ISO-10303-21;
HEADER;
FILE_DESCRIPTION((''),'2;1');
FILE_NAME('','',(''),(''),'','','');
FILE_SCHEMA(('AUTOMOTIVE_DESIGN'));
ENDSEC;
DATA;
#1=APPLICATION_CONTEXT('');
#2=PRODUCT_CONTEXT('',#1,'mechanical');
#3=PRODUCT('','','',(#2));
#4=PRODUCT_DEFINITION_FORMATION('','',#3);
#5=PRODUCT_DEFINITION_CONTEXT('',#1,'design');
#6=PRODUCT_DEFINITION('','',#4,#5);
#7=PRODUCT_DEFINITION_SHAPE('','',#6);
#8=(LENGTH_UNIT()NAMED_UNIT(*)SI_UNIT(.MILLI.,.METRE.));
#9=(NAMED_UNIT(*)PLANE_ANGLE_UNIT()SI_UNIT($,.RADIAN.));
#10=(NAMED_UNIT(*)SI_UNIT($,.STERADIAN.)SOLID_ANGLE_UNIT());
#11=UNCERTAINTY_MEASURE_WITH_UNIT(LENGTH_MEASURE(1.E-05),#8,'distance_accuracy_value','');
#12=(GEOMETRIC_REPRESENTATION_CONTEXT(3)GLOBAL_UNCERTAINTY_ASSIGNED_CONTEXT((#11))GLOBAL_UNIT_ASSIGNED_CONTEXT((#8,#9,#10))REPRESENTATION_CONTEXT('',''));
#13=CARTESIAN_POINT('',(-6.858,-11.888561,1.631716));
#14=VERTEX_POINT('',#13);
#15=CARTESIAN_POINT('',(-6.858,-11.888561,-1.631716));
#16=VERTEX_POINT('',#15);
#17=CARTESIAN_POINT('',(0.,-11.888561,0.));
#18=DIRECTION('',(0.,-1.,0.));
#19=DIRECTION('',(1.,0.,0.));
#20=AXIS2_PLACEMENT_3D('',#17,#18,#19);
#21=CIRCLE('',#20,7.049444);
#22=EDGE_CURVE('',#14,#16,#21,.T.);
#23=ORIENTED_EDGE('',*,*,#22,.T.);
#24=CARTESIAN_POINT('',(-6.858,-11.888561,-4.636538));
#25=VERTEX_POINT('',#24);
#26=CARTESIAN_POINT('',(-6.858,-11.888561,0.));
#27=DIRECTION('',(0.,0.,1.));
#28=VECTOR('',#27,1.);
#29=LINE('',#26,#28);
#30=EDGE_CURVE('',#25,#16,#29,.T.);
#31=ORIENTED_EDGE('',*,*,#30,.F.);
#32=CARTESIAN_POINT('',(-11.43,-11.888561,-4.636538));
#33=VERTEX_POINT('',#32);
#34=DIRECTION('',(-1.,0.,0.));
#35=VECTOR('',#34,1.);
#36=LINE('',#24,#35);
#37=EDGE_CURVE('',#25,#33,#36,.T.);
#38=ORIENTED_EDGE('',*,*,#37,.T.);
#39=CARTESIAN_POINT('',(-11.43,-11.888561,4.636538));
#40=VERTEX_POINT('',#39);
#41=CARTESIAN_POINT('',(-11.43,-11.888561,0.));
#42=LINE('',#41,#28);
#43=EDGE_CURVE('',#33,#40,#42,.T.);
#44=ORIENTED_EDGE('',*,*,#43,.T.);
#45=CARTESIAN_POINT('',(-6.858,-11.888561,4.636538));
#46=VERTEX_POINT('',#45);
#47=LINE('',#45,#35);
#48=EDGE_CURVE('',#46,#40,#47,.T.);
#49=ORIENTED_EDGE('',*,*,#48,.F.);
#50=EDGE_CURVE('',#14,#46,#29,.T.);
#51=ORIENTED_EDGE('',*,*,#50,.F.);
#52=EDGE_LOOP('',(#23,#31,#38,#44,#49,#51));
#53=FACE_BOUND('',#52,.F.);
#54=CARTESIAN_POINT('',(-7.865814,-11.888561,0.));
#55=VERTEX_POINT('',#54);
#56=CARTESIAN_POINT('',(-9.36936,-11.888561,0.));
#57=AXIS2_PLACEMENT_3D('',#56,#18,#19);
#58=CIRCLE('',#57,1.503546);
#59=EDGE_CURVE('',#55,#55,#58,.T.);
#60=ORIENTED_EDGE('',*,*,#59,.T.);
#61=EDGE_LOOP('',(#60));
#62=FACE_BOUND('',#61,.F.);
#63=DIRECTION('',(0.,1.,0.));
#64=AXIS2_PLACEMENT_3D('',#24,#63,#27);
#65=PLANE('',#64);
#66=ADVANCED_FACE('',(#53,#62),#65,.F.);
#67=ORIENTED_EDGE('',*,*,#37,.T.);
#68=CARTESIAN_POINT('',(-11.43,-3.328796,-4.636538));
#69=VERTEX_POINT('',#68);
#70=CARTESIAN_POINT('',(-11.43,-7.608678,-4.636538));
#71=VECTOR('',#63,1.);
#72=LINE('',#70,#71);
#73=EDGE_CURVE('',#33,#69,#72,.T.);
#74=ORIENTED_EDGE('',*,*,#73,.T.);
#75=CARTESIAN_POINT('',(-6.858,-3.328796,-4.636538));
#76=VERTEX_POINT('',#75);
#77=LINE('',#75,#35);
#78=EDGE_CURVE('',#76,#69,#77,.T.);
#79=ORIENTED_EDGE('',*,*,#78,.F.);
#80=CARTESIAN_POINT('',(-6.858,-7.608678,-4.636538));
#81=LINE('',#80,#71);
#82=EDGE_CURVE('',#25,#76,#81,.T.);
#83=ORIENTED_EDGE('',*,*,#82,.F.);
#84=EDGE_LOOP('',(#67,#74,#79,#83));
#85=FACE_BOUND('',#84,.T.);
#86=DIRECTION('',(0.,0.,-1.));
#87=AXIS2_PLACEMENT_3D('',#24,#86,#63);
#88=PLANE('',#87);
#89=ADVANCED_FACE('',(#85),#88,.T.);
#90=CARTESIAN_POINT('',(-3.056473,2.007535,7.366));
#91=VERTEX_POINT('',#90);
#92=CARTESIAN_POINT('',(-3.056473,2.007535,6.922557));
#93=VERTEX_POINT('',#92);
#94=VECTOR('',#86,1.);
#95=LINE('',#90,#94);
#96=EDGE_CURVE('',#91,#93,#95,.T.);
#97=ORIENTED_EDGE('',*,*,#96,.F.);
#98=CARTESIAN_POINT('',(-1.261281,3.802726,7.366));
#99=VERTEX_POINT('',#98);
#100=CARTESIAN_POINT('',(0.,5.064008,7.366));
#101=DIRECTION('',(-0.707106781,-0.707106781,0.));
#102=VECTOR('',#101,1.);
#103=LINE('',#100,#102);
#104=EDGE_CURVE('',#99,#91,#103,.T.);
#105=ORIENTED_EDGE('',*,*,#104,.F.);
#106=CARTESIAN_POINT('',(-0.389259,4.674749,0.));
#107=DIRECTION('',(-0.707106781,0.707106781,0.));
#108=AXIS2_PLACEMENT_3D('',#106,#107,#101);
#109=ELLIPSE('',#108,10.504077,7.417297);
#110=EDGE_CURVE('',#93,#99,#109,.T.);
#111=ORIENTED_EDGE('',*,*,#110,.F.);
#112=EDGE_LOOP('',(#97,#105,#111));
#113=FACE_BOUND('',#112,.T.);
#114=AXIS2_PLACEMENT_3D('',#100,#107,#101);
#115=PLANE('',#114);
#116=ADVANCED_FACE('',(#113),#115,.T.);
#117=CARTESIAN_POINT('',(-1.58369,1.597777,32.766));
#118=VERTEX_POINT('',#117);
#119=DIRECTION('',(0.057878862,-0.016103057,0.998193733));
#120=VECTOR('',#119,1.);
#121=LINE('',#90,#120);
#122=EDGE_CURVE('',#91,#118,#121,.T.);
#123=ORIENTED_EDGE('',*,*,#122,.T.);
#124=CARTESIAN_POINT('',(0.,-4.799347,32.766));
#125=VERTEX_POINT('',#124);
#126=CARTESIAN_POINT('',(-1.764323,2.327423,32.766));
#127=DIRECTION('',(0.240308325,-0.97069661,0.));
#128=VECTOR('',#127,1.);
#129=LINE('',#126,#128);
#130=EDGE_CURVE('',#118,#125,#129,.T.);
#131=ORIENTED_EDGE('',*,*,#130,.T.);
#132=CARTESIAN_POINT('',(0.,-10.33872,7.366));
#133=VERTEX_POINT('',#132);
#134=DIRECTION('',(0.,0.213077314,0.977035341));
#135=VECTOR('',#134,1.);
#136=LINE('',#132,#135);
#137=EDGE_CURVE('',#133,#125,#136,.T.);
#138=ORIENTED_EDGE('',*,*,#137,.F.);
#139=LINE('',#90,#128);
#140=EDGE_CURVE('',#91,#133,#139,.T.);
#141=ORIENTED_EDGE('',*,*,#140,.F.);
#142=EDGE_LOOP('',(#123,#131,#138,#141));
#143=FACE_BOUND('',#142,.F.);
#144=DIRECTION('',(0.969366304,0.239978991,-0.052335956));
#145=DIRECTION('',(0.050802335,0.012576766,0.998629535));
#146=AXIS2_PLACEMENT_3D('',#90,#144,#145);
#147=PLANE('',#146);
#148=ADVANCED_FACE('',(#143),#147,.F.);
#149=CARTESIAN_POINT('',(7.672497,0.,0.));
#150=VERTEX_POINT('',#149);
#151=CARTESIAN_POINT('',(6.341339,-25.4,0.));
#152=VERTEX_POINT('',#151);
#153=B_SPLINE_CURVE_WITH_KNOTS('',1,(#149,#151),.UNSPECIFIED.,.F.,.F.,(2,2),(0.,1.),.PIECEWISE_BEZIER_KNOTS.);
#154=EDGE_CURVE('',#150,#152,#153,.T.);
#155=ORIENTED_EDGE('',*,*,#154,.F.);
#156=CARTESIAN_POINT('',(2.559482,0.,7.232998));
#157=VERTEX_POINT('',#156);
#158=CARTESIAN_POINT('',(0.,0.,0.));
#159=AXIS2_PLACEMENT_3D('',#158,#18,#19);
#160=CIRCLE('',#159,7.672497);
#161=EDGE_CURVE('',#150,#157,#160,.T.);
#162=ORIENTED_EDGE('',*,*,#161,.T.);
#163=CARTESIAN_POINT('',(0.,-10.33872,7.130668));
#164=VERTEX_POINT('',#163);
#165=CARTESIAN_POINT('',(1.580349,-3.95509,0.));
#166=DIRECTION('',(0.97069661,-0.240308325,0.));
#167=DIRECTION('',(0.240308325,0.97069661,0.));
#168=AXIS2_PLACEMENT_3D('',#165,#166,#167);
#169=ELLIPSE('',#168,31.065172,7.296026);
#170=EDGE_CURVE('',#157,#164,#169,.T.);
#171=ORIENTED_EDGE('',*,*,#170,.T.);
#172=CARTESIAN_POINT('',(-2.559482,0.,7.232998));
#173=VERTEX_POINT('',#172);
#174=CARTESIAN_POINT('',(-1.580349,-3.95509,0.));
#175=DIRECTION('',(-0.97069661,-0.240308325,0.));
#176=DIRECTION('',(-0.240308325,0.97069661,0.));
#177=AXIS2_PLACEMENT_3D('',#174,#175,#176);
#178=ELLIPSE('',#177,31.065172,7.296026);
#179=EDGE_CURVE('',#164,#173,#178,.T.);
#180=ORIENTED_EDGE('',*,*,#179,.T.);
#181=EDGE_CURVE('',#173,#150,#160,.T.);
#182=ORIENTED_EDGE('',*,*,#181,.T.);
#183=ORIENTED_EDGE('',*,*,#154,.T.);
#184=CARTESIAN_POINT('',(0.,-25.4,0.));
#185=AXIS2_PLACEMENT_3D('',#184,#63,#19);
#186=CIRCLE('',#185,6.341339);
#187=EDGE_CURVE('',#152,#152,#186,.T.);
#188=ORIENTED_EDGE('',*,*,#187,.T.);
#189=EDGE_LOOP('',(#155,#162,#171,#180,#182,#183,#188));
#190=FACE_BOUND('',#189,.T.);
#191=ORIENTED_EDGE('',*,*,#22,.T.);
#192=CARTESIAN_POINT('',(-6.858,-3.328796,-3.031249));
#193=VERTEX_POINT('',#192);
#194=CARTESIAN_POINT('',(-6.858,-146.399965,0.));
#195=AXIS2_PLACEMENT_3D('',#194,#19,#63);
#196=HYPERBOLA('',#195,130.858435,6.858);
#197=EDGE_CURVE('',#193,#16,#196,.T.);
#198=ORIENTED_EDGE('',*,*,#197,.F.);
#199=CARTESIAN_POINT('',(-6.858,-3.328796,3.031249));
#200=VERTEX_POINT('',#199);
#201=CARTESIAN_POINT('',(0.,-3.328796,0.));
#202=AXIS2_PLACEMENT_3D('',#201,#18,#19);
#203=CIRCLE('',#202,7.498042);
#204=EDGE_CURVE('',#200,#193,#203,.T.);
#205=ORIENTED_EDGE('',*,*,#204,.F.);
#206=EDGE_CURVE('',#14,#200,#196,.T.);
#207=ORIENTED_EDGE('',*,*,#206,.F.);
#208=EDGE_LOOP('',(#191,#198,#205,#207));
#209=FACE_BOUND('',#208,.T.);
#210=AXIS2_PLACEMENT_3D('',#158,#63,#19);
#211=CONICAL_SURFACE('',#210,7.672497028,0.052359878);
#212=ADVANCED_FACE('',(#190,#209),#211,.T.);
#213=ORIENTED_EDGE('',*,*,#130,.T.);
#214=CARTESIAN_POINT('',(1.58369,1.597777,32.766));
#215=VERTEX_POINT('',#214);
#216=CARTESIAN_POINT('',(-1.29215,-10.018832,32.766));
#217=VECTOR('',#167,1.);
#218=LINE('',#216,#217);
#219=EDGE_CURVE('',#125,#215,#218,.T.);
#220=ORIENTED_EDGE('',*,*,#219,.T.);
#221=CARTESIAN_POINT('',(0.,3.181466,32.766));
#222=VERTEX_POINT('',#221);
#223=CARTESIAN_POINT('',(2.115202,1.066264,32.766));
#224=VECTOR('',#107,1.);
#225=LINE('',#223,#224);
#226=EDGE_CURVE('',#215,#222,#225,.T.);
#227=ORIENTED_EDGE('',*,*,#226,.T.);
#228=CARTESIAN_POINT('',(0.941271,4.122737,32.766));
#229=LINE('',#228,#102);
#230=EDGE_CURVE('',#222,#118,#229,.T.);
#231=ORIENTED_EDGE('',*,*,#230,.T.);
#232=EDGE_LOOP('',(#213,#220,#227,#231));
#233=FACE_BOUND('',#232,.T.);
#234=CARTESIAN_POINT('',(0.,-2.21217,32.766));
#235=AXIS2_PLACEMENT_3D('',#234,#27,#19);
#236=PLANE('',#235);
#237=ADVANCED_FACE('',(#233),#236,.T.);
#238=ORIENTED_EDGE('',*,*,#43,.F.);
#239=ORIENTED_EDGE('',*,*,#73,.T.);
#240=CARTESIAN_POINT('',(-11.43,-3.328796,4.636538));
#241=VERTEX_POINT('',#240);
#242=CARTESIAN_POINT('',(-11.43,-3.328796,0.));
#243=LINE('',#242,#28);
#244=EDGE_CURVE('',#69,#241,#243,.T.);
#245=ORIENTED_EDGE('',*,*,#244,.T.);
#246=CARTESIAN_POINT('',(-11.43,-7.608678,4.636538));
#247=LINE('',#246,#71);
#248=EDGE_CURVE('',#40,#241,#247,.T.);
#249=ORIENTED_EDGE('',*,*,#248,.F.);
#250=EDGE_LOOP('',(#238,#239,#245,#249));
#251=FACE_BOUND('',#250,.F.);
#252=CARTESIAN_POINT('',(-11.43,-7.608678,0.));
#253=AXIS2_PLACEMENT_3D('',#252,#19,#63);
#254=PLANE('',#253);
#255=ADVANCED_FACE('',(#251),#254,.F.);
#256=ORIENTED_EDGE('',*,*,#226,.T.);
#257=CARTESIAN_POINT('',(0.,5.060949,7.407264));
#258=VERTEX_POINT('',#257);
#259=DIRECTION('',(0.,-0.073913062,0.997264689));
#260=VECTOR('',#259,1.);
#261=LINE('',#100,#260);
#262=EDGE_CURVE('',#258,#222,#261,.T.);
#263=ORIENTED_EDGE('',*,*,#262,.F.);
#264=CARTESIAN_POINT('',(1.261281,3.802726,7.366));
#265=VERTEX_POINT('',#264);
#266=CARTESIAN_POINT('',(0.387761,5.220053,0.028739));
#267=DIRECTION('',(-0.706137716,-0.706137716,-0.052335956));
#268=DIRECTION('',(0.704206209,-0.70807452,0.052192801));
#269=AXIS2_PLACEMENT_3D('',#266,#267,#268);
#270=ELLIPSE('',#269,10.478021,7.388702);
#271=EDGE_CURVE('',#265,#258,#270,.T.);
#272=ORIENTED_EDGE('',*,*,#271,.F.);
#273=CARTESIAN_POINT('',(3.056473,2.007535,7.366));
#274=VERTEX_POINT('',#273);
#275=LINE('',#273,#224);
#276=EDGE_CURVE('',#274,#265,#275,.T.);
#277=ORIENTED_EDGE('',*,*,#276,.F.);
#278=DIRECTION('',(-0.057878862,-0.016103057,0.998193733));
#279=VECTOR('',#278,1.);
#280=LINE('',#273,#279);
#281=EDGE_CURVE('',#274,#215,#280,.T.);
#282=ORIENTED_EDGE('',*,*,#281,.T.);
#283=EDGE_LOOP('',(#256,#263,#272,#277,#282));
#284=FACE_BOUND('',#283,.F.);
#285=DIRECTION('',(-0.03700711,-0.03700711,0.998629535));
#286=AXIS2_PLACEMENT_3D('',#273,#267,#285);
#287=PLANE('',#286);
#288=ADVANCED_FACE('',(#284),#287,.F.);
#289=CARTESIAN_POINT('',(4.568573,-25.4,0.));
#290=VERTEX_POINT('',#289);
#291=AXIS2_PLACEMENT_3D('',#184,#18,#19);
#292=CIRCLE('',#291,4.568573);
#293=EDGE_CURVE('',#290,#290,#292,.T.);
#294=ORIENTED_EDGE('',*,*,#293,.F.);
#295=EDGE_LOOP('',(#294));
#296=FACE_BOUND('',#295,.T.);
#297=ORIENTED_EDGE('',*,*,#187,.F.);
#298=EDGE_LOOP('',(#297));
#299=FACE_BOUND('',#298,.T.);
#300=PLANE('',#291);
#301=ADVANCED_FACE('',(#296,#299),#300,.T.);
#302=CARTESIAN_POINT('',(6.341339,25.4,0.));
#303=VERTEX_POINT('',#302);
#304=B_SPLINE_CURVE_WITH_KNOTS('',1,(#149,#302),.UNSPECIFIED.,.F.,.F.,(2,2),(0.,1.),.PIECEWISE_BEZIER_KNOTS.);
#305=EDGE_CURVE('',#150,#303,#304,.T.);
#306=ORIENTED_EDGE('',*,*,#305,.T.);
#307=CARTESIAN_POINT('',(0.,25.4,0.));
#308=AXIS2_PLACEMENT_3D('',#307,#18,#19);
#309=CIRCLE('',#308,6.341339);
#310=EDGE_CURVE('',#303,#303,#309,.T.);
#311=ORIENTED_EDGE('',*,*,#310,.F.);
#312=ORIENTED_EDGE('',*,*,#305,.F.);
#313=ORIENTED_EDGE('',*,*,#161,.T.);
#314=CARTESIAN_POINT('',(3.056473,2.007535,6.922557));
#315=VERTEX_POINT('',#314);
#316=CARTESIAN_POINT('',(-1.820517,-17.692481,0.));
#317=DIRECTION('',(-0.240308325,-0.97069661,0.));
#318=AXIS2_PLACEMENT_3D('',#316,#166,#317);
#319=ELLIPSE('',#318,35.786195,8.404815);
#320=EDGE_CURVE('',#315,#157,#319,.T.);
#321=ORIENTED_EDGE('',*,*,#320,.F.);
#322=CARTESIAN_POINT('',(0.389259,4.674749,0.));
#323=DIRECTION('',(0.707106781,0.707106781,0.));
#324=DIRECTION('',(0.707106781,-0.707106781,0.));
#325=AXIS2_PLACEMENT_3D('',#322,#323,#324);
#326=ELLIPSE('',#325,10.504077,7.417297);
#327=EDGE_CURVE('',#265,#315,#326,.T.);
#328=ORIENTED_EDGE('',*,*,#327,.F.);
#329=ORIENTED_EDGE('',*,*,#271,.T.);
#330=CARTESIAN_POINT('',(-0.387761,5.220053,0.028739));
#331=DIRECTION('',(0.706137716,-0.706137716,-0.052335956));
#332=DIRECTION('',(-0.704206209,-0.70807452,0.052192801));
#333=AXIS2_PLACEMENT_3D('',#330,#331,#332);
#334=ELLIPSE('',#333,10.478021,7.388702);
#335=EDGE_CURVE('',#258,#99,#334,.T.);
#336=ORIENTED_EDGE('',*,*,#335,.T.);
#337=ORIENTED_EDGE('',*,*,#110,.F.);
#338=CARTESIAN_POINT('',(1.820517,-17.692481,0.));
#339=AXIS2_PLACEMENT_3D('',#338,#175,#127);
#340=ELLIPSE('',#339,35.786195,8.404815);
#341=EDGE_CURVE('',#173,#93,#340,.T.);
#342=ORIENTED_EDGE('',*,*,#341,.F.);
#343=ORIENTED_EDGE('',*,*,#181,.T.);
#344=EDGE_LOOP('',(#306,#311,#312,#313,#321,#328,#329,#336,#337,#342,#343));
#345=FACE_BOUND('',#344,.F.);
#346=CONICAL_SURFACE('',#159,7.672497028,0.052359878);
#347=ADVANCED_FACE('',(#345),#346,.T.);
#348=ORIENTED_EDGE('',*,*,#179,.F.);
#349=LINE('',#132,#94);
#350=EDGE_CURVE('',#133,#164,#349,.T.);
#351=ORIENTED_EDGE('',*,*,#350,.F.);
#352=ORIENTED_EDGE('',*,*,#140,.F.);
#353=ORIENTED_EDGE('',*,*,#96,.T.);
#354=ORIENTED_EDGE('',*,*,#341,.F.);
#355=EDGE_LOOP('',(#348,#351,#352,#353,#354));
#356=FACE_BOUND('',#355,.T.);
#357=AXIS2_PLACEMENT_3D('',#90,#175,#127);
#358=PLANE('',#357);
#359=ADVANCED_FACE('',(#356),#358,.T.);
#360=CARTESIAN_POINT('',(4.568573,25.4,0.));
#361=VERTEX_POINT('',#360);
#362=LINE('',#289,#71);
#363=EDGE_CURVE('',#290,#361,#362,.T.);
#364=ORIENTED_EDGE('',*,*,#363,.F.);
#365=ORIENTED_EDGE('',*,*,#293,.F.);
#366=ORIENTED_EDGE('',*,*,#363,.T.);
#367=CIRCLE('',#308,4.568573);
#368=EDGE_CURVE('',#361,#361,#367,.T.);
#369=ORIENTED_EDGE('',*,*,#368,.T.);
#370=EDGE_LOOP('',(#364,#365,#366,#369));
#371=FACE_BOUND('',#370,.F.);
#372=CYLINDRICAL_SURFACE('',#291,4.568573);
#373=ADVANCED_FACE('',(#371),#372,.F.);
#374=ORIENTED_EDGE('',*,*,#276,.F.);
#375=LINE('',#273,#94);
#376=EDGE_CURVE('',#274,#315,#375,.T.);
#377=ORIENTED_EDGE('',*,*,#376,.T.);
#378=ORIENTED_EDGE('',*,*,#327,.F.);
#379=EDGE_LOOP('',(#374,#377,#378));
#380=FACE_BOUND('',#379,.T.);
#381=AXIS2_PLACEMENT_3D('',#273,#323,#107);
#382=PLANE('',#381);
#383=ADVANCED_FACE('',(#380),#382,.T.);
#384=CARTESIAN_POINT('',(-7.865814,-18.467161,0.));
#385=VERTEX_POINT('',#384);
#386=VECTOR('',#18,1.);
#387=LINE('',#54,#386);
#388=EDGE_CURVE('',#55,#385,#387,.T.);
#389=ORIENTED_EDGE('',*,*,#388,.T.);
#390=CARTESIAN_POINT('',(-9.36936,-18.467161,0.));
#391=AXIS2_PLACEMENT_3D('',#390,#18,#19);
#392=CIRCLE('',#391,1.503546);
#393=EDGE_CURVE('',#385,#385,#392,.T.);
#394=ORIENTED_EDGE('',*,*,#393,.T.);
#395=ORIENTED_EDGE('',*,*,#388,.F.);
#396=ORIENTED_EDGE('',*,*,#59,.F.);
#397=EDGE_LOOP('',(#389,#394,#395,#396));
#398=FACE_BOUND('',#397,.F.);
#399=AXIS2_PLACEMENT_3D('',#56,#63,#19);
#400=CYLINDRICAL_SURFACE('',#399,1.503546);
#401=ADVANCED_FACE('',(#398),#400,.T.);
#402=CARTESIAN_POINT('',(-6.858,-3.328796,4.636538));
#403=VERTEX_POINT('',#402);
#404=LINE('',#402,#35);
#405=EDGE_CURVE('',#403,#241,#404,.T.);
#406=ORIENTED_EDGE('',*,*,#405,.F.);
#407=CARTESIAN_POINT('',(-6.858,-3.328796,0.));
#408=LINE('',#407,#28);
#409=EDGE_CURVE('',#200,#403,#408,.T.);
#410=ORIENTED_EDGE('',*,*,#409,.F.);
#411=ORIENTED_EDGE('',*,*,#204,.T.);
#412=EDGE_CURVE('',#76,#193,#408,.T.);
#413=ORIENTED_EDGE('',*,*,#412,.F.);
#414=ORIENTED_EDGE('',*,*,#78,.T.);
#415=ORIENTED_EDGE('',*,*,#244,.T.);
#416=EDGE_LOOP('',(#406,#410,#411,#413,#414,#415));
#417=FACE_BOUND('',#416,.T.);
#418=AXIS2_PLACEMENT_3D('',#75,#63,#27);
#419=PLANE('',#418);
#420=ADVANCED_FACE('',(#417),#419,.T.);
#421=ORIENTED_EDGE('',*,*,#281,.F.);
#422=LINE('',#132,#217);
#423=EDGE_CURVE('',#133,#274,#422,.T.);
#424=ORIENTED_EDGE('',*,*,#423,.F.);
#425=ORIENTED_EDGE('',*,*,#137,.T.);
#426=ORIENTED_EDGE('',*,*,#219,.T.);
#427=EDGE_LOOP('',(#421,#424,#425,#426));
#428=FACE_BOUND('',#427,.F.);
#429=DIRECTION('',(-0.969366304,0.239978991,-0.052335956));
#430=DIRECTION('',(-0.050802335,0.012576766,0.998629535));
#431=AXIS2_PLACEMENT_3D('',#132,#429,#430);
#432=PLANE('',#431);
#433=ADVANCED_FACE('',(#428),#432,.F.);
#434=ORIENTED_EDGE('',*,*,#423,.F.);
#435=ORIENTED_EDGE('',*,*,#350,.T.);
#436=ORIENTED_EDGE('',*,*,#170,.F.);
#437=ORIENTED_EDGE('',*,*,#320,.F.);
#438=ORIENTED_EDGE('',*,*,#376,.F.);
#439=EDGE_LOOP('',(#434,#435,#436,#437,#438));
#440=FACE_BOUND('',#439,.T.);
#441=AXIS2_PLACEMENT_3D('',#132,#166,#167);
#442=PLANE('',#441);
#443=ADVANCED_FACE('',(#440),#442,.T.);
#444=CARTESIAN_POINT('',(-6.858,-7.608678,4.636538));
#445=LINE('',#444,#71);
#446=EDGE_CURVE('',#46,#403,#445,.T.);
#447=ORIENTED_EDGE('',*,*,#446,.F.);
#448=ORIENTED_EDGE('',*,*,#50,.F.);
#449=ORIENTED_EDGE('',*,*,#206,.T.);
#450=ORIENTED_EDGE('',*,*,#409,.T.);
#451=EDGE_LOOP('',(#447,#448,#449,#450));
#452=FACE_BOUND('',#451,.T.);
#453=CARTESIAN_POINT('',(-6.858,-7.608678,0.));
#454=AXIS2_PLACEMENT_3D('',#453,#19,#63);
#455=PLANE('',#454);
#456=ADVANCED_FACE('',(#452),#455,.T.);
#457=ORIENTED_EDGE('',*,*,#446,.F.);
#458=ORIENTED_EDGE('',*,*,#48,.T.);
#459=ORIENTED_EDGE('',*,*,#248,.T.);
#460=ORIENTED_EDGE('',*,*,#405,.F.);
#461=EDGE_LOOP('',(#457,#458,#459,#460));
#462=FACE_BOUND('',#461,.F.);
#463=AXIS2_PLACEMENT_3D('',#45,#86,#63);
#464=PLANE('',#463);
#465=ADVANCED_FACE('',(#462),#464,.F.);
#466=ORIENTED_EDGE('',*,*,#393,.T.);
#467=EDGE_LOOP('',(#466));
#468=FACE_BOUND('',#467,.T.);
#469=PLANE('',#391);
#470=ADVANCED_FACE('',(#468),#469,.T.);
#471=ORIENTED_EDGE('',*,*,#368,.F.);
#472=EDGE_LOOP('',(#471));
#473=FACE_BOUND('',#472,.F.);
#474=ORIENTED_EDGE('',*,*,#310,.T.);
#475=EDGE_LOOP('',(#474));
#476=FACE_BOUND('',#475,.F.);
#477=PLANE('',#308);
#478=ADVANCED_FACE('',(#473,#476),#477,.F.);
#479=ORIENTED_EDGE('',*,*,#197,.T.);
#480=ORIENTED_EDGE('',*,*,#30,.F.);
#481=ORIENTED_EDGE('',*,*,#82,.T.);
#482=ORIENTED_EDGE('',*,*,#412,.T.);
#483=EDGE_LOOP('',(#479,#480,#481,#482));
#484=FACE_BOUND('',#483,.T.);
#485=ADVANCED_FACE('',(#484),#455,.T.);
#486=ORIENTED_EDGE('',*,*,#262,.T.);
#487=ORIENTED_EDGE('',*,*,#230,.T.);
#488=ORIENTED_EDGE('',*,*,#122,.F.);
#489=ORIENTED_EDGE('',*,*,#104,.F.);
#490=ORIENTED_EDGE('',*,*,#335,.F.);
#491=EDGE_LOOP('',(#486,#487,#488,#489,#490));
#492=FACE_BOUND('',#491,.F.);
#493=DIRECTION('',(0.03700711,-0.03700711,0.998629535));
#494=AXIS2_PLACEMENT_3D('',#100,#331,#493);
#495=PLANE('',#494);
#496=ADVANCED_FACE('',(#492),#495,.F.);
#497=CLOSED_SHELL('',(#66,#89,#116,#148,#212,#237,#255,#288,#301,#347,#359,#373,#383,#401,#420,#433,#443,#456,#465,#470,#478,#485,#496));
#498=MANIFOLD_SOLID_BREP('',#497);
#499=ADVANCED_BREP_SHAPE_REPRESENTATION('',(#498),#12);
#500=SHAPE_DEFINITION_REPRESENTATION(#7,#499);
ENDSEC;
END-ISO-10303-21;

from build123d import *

# Parameters (mm, degrees)
F0_R          = 7.6724970278
F1_DEPTH      = 25.4
F1_TAPER      = 3
F1_DEPTH_BACK = 25.4
F1_TAPER_BACK = 3
F4_DEPTH      = 25.4
F4_TAPER      = 3
F4_DEPTH_BACK = 13.716
F6_W          = 8.5597652942
F6_H          = 9.2730754986
F7_DEPTH      = 4.572
F8_R          = 1.5035458926
F9_DEPTH      = 6.5786
F10_R         = 4.568572737
F11_DEPTH     = 53.594


with BuildPart() as f1:
    # F0 (on Front) → F1 (new body, two sides)
    with BuildSketch(Plane.XZ) as f1_sk:
        Circle(F0_R)
    extrude(amount=F1_DEPTH, taper=F1_TAPER)
    extrude(f1_sk.sketch, amount=-F1_DEPTH_BACK, taper=F1_TAPER_BACK)

    # F3 (on offset) → F4 (join, two sides)
    with BuildSketch(Plane.XY.offset(7.366)) as f4_sk:
        Polygon((-3.0564728829, 2.0075347275), (0, -10.3387202816), (3.0564728829, 2.0075347275), (0, 5.0640076103), align=None)
    extrude(amount=F4_DEPTH, taper=F4_TAPER)
    extrude(f4_sk.sketch, amount=-F4_DEPTH_BACK)

    # F6 (on offset) → F7 (join)
    with BuildSketch(Plane.YZ.offset(-6.858)):
        with Locations((-7.6086781919, 0)):
            Rectangle(F6_W, F6_H)
    extrude(amount=-F7_DEPTH)

    # F8 (on face) → F9 (join)
    with BuildSketch(Plane.XZ.offset(11.888560839)):
        with Locations((-9.369360283, 0)):
            Circle(F8_R)
    extrude(amount=F9_DEPTH)

    # F10 (on face) → F11 (cut)
    with BuildSketch(Plane.XZ.offset(25.4)):
        Circle(F10_R)
    extrude(amount=-F11_DEPTH, mode=Mode.SUBTRACT)


solid = f1.part
